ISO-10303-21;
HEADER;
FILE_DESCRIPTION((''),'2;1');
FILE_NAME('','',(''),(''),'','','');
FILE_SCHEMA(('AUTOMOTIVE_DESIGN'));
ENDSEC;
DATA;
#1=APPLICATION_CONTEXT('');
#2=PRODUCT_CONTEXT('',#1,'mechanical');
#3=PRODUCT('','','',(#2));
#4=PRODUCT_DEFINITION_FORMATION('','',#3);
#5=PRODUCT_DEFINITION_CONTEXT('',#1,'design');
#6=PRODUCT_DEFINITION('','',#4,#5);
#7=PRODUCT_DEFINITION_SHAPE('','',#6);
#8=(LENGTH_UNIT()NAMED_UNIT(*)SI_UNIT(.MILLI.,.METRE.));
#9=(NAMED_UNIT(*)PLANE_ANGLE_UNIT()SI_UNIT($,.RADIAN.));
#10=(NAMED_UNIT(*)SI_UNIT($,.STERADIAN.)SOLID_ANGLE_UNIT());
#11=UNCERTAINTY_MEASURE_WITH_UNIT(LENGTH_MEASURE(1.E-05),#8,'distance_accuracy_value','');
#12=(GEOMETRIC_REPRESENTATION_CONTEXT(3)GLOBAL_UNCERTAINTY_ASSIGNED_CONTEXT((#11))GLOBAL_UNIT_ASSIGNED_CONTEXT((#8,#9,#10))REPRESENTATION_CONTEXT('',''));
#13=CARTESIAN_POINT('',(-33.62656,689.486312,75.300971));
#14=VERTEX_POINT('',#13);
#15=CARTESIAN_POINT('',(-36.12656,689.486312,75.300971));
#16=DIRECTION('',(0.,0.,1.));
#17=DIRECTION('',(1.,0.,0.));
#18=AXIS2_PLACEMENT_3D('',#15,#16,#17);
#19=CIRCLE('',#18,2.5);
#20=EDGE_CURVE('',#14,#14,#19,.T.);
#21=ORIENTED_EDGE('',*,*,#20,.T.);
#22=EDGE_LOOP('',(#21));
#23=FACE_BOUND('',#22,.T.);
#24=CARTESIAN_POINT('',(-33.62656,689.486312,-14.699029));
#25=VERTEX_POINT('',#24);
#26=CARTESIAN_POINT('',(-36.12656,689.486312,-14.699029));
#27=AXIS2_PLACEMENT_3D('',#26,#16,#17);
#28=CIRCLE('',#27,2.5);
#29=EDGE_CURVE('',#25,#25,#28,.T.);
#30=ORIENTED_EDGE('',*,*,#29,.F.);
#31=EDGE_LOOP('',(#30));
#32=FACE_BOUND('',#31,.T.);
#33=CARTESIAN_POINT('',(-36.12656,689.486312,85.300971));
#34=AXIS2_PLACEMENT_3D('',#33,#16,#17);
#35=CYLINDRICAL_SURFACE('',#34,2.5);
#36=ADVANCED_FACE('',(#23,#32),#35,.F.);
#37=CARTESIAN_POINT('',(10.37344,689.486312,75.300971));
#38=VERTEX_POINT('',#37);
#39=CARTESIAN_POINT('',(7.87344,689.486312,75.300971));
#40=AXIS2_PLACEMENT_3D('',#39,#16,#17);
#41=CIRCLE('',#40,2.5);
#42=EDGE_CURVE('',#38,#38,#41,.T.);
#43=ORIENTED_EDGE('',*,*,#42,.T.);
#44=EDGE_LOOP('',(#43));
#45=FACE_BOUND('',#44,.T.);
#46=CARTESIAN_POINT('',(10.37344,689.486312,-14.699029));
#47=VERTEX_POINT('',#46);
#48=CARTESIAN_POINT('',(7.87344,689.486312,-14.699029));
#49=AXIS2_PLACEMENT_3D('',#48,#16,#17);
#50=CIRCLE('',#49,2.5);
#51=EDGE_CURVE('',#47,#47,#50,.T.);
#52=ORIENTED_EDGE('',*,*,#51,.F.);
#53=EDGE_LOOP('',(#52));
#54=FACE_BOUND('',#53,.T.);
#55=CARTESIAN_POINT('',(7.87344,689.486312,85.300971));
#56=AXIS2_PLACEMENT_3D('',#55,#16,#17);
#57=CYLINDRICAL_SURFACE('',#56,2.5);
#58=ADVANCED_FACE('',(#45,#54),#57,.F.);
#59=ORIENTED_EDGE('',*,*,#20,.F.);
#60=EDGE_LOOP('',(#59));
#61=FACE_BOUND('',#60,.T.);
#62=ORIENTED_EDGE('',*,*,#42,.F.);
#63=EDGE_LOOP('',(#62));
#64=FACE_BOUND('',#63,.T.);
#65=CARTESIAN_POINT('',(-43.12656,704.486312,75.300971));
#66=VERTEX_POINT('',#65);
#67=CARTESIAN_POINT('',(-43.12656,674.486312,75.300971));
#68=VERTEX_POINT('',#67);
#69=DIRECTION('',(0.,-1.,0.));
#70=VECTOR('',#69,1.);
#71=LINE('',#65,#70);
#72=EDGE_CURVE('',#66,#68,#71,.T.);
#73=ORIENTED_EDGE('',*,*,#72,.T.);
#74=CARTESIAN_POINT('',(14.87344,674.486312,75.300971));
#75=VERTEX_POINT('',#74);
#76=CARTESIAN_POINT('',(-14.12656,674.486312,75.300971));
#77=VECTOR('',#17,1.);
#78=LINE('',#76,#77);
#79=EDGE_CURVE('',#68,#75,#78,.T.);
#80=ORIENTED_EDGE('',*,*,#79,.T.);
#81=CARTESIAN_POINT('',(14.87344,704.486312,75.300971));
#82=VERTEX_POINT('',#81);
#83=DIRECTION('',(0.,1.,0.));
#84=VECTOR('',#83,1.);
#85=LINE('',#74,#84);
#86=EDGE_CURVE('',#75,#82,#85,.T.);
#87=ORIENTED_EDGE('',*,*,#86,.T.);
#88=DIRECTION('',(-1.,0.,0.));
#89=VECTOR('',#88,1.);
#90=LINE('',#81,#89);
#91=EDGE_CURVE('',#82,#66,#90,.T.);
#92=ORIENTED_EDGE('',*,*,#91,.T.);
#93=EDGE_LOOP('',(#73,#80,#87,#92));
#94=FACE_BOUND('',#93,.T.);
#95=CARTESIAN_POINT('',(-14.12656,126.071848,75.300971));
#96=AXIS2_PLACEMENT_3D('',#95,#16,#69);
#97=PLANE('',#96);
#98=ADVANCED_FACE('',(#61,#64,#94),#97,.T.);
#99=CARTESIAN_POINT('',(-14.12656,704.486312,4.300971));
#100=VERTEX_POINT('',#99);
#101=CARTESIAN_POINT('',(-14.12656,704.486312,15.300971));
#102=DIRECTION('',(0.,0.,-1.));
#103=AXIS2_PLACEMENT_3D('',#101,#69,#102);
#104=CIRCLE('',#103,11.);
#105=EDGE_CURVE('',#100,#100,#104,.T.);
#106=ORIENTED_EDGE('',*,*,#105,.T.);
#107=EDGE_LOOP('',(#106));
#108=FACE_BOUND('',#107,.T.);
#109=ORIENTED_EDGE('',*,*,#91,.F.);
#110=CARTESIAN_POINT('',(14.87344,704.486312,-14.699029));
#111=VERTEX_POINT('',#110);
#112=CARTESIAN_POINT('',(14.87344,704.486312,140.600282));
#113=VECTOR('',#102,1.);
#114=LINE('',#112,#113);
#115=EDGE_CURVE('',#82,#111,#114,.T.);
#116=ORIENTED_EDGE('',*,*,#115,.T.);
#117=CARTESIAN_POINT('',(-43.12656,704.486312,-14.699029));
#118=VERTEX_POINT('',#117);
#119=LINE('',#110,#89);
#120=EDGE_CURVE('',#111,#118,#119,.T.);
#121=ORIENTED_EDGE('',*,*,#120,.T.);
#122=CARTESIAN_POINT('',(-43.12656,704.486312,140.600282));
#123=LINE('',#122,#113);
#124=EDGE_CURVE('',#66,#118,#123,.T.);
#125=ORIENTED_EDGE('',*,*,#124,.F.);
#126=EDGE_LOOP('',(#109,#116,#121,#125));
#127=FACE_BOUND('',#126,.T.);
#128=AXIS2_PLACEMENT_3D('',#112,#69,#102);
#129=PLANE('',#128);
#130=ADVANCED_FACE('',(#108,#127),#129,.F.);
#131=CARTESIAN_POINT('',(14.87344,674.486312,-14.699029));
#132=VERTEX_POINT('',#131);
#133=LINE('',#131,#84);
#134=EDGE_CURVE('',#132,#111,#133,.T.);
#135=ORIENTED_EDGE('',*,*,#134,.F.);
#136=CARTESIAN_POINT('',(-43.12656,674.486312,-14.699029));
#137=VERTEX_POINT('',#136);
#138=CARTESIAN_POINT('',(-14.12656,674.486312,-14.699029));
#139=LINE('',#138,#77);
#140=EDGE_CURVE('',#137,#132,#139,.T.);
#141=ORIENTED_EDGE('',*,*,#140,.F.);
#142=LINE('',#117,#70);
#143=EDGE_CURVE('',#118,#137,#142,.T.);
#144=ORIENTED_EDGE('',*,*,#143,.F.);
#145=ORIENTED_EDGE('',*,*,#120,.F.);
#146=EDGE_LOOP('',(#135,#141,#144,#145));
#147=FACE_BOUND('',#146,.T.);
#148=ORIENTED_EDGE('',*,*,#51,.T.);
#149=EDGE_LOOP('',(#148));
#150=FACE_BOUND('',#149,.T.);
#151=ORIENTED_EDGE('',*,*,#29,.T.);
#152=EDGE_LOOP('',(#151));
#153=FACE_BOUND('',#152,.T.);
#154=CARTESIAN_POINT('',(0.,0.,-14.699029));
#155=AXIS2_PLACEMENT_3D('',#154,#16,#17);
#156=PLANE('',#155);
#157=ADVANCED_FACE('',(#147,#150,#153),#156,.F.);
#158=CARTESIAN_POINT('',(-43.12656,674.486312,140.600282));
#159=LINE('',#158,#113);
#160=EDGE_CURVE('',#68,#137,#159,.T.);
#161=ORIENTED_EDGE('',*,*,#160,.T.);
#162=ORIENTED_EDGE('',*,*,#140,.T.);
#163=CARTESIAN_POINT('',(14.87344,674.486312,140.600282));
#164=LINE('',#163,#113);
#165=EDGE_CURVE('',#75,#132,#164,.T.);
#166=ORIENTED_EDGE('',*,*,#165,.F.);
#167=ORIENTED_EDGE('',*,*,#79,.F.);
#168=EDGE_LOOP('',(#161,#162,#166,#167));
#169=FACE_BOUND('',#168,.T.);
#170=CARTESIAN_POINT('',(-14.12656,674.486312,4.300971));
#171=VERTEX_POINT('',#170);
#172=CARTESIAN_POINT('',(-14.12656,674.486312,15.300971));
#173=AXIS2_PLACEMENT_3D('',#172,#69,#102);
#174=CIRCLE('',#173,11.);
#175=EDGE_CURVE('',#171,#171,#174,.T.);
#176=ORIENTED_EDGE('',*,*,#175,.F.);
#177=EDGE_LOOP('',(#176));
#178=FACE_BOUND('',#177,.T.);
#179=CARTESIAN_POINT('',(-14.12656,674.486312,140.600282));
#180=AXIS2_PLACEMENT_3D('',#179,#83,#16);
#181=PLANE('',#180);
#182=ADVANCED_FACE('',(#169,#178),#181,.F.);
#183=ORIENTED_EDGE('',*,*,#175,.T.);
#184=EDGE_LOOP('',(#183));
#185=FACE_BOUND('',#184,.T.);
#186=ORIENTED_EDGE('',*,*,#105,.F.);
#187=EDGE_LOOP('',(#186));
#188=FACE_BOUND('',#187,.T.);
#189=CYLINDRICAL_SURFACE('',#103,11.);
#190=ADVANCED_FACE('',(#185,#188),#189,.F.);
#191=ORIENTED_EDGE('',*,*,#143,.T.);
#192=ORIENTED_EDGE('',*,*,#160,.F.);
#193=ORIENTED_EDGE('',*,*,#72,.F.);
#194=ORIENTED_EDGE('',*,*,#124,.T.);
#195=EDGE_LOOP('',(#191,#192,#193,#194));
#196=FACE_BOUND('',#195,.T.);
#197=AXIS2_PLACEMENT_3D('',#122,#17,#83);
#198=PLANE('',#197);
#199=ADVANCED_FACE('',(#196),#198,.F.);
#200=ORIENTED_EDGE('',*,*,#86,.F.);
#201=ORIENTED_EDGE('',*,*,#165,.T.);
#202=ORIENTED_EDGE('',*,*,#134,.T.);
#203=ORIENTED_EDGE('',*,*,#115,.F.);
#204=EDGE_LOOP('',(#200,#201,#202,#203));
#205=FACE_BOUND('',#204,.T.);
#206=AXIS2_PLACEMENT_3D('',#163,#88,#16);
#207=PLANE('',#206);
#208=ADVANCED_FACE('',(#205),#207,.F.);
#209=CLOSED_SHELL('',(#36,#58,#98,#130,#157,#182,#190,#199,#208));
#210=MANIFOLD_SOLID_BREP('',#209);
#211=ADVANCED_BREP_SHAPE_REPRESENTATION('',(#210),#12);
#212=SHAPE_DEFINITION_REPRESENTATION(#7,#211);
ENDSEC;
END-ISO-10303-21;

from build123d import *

# Parameters (mm, degrees)
BOSS_EXTRUDE1_DEPTH = 90
SKETCH3_R           = 11
CUT_EXTRUDE1_DEPTH  = 92.815774412
M6_TAPPED_HOLE_D    = 5


with BuildPart() as part:
    # Sketch1 → Boss-Extrude1 (new body)
    with BuildSketch(Plane(origin=(0, 2.518676762, -14.699029015), x_dir=(1, 0, 0), z_dir=(0, 0, 1))):
        Polygon((-43.126560257, 671.967635092), (-14.126560257, 671.967635092), (14.873439743, 671.967635092), (14.873439743, 701.967635092), (-43.126560257, 701.967635092), align=None)
    extrude(amount=BOSS_EXTRUDE1_DEPTH)

    # Sketch3 → Cut-Extrude1 (cut, through all)
    with BuildSketch(Plane.XZ.offset(-674.486311854)):
        with Locations(Location((-14.126560257, 15.300970985, 0), (0, 0, 270))):
            Circle(SKETCH3_R)
    extrude(amount=-CUT_EXTRUDE1_DEPTH, mode=Mode.SUBTRACT)

    # M6 Tapped Hole (through all)
    with Locations(Plane(origin=(545.719230148, 1586.957920749, 85.300970985), x_dir=(-1, 0, 0), z_dir=(0, 0, 1))):
        with Locations((514.845790405, 897.471608895), (537.845790405, 897.471608895), (581.845790405, 897.471608895), (604.845790405, 897.471608895), (514.845790405, 1450.886073068), (514.845790405, 1412.886073068), (537.845790405, 1453.886073068), (537.845790405, 1409.886073068), (581.845790405, 1453.886073068), (581.845790405, 1409.886073068), (604.845790405, 1450.886073068), (604.845790405, 1412.886073068), (514.845790405, 1431.886073068), (537.845790405, 1431.886073068), (581.845790405, 1431.886073068), (604.845790405, 1431.886073068)):
            Hole(M6_TAPPED_HOLE_D / 2)


solid = part.part
